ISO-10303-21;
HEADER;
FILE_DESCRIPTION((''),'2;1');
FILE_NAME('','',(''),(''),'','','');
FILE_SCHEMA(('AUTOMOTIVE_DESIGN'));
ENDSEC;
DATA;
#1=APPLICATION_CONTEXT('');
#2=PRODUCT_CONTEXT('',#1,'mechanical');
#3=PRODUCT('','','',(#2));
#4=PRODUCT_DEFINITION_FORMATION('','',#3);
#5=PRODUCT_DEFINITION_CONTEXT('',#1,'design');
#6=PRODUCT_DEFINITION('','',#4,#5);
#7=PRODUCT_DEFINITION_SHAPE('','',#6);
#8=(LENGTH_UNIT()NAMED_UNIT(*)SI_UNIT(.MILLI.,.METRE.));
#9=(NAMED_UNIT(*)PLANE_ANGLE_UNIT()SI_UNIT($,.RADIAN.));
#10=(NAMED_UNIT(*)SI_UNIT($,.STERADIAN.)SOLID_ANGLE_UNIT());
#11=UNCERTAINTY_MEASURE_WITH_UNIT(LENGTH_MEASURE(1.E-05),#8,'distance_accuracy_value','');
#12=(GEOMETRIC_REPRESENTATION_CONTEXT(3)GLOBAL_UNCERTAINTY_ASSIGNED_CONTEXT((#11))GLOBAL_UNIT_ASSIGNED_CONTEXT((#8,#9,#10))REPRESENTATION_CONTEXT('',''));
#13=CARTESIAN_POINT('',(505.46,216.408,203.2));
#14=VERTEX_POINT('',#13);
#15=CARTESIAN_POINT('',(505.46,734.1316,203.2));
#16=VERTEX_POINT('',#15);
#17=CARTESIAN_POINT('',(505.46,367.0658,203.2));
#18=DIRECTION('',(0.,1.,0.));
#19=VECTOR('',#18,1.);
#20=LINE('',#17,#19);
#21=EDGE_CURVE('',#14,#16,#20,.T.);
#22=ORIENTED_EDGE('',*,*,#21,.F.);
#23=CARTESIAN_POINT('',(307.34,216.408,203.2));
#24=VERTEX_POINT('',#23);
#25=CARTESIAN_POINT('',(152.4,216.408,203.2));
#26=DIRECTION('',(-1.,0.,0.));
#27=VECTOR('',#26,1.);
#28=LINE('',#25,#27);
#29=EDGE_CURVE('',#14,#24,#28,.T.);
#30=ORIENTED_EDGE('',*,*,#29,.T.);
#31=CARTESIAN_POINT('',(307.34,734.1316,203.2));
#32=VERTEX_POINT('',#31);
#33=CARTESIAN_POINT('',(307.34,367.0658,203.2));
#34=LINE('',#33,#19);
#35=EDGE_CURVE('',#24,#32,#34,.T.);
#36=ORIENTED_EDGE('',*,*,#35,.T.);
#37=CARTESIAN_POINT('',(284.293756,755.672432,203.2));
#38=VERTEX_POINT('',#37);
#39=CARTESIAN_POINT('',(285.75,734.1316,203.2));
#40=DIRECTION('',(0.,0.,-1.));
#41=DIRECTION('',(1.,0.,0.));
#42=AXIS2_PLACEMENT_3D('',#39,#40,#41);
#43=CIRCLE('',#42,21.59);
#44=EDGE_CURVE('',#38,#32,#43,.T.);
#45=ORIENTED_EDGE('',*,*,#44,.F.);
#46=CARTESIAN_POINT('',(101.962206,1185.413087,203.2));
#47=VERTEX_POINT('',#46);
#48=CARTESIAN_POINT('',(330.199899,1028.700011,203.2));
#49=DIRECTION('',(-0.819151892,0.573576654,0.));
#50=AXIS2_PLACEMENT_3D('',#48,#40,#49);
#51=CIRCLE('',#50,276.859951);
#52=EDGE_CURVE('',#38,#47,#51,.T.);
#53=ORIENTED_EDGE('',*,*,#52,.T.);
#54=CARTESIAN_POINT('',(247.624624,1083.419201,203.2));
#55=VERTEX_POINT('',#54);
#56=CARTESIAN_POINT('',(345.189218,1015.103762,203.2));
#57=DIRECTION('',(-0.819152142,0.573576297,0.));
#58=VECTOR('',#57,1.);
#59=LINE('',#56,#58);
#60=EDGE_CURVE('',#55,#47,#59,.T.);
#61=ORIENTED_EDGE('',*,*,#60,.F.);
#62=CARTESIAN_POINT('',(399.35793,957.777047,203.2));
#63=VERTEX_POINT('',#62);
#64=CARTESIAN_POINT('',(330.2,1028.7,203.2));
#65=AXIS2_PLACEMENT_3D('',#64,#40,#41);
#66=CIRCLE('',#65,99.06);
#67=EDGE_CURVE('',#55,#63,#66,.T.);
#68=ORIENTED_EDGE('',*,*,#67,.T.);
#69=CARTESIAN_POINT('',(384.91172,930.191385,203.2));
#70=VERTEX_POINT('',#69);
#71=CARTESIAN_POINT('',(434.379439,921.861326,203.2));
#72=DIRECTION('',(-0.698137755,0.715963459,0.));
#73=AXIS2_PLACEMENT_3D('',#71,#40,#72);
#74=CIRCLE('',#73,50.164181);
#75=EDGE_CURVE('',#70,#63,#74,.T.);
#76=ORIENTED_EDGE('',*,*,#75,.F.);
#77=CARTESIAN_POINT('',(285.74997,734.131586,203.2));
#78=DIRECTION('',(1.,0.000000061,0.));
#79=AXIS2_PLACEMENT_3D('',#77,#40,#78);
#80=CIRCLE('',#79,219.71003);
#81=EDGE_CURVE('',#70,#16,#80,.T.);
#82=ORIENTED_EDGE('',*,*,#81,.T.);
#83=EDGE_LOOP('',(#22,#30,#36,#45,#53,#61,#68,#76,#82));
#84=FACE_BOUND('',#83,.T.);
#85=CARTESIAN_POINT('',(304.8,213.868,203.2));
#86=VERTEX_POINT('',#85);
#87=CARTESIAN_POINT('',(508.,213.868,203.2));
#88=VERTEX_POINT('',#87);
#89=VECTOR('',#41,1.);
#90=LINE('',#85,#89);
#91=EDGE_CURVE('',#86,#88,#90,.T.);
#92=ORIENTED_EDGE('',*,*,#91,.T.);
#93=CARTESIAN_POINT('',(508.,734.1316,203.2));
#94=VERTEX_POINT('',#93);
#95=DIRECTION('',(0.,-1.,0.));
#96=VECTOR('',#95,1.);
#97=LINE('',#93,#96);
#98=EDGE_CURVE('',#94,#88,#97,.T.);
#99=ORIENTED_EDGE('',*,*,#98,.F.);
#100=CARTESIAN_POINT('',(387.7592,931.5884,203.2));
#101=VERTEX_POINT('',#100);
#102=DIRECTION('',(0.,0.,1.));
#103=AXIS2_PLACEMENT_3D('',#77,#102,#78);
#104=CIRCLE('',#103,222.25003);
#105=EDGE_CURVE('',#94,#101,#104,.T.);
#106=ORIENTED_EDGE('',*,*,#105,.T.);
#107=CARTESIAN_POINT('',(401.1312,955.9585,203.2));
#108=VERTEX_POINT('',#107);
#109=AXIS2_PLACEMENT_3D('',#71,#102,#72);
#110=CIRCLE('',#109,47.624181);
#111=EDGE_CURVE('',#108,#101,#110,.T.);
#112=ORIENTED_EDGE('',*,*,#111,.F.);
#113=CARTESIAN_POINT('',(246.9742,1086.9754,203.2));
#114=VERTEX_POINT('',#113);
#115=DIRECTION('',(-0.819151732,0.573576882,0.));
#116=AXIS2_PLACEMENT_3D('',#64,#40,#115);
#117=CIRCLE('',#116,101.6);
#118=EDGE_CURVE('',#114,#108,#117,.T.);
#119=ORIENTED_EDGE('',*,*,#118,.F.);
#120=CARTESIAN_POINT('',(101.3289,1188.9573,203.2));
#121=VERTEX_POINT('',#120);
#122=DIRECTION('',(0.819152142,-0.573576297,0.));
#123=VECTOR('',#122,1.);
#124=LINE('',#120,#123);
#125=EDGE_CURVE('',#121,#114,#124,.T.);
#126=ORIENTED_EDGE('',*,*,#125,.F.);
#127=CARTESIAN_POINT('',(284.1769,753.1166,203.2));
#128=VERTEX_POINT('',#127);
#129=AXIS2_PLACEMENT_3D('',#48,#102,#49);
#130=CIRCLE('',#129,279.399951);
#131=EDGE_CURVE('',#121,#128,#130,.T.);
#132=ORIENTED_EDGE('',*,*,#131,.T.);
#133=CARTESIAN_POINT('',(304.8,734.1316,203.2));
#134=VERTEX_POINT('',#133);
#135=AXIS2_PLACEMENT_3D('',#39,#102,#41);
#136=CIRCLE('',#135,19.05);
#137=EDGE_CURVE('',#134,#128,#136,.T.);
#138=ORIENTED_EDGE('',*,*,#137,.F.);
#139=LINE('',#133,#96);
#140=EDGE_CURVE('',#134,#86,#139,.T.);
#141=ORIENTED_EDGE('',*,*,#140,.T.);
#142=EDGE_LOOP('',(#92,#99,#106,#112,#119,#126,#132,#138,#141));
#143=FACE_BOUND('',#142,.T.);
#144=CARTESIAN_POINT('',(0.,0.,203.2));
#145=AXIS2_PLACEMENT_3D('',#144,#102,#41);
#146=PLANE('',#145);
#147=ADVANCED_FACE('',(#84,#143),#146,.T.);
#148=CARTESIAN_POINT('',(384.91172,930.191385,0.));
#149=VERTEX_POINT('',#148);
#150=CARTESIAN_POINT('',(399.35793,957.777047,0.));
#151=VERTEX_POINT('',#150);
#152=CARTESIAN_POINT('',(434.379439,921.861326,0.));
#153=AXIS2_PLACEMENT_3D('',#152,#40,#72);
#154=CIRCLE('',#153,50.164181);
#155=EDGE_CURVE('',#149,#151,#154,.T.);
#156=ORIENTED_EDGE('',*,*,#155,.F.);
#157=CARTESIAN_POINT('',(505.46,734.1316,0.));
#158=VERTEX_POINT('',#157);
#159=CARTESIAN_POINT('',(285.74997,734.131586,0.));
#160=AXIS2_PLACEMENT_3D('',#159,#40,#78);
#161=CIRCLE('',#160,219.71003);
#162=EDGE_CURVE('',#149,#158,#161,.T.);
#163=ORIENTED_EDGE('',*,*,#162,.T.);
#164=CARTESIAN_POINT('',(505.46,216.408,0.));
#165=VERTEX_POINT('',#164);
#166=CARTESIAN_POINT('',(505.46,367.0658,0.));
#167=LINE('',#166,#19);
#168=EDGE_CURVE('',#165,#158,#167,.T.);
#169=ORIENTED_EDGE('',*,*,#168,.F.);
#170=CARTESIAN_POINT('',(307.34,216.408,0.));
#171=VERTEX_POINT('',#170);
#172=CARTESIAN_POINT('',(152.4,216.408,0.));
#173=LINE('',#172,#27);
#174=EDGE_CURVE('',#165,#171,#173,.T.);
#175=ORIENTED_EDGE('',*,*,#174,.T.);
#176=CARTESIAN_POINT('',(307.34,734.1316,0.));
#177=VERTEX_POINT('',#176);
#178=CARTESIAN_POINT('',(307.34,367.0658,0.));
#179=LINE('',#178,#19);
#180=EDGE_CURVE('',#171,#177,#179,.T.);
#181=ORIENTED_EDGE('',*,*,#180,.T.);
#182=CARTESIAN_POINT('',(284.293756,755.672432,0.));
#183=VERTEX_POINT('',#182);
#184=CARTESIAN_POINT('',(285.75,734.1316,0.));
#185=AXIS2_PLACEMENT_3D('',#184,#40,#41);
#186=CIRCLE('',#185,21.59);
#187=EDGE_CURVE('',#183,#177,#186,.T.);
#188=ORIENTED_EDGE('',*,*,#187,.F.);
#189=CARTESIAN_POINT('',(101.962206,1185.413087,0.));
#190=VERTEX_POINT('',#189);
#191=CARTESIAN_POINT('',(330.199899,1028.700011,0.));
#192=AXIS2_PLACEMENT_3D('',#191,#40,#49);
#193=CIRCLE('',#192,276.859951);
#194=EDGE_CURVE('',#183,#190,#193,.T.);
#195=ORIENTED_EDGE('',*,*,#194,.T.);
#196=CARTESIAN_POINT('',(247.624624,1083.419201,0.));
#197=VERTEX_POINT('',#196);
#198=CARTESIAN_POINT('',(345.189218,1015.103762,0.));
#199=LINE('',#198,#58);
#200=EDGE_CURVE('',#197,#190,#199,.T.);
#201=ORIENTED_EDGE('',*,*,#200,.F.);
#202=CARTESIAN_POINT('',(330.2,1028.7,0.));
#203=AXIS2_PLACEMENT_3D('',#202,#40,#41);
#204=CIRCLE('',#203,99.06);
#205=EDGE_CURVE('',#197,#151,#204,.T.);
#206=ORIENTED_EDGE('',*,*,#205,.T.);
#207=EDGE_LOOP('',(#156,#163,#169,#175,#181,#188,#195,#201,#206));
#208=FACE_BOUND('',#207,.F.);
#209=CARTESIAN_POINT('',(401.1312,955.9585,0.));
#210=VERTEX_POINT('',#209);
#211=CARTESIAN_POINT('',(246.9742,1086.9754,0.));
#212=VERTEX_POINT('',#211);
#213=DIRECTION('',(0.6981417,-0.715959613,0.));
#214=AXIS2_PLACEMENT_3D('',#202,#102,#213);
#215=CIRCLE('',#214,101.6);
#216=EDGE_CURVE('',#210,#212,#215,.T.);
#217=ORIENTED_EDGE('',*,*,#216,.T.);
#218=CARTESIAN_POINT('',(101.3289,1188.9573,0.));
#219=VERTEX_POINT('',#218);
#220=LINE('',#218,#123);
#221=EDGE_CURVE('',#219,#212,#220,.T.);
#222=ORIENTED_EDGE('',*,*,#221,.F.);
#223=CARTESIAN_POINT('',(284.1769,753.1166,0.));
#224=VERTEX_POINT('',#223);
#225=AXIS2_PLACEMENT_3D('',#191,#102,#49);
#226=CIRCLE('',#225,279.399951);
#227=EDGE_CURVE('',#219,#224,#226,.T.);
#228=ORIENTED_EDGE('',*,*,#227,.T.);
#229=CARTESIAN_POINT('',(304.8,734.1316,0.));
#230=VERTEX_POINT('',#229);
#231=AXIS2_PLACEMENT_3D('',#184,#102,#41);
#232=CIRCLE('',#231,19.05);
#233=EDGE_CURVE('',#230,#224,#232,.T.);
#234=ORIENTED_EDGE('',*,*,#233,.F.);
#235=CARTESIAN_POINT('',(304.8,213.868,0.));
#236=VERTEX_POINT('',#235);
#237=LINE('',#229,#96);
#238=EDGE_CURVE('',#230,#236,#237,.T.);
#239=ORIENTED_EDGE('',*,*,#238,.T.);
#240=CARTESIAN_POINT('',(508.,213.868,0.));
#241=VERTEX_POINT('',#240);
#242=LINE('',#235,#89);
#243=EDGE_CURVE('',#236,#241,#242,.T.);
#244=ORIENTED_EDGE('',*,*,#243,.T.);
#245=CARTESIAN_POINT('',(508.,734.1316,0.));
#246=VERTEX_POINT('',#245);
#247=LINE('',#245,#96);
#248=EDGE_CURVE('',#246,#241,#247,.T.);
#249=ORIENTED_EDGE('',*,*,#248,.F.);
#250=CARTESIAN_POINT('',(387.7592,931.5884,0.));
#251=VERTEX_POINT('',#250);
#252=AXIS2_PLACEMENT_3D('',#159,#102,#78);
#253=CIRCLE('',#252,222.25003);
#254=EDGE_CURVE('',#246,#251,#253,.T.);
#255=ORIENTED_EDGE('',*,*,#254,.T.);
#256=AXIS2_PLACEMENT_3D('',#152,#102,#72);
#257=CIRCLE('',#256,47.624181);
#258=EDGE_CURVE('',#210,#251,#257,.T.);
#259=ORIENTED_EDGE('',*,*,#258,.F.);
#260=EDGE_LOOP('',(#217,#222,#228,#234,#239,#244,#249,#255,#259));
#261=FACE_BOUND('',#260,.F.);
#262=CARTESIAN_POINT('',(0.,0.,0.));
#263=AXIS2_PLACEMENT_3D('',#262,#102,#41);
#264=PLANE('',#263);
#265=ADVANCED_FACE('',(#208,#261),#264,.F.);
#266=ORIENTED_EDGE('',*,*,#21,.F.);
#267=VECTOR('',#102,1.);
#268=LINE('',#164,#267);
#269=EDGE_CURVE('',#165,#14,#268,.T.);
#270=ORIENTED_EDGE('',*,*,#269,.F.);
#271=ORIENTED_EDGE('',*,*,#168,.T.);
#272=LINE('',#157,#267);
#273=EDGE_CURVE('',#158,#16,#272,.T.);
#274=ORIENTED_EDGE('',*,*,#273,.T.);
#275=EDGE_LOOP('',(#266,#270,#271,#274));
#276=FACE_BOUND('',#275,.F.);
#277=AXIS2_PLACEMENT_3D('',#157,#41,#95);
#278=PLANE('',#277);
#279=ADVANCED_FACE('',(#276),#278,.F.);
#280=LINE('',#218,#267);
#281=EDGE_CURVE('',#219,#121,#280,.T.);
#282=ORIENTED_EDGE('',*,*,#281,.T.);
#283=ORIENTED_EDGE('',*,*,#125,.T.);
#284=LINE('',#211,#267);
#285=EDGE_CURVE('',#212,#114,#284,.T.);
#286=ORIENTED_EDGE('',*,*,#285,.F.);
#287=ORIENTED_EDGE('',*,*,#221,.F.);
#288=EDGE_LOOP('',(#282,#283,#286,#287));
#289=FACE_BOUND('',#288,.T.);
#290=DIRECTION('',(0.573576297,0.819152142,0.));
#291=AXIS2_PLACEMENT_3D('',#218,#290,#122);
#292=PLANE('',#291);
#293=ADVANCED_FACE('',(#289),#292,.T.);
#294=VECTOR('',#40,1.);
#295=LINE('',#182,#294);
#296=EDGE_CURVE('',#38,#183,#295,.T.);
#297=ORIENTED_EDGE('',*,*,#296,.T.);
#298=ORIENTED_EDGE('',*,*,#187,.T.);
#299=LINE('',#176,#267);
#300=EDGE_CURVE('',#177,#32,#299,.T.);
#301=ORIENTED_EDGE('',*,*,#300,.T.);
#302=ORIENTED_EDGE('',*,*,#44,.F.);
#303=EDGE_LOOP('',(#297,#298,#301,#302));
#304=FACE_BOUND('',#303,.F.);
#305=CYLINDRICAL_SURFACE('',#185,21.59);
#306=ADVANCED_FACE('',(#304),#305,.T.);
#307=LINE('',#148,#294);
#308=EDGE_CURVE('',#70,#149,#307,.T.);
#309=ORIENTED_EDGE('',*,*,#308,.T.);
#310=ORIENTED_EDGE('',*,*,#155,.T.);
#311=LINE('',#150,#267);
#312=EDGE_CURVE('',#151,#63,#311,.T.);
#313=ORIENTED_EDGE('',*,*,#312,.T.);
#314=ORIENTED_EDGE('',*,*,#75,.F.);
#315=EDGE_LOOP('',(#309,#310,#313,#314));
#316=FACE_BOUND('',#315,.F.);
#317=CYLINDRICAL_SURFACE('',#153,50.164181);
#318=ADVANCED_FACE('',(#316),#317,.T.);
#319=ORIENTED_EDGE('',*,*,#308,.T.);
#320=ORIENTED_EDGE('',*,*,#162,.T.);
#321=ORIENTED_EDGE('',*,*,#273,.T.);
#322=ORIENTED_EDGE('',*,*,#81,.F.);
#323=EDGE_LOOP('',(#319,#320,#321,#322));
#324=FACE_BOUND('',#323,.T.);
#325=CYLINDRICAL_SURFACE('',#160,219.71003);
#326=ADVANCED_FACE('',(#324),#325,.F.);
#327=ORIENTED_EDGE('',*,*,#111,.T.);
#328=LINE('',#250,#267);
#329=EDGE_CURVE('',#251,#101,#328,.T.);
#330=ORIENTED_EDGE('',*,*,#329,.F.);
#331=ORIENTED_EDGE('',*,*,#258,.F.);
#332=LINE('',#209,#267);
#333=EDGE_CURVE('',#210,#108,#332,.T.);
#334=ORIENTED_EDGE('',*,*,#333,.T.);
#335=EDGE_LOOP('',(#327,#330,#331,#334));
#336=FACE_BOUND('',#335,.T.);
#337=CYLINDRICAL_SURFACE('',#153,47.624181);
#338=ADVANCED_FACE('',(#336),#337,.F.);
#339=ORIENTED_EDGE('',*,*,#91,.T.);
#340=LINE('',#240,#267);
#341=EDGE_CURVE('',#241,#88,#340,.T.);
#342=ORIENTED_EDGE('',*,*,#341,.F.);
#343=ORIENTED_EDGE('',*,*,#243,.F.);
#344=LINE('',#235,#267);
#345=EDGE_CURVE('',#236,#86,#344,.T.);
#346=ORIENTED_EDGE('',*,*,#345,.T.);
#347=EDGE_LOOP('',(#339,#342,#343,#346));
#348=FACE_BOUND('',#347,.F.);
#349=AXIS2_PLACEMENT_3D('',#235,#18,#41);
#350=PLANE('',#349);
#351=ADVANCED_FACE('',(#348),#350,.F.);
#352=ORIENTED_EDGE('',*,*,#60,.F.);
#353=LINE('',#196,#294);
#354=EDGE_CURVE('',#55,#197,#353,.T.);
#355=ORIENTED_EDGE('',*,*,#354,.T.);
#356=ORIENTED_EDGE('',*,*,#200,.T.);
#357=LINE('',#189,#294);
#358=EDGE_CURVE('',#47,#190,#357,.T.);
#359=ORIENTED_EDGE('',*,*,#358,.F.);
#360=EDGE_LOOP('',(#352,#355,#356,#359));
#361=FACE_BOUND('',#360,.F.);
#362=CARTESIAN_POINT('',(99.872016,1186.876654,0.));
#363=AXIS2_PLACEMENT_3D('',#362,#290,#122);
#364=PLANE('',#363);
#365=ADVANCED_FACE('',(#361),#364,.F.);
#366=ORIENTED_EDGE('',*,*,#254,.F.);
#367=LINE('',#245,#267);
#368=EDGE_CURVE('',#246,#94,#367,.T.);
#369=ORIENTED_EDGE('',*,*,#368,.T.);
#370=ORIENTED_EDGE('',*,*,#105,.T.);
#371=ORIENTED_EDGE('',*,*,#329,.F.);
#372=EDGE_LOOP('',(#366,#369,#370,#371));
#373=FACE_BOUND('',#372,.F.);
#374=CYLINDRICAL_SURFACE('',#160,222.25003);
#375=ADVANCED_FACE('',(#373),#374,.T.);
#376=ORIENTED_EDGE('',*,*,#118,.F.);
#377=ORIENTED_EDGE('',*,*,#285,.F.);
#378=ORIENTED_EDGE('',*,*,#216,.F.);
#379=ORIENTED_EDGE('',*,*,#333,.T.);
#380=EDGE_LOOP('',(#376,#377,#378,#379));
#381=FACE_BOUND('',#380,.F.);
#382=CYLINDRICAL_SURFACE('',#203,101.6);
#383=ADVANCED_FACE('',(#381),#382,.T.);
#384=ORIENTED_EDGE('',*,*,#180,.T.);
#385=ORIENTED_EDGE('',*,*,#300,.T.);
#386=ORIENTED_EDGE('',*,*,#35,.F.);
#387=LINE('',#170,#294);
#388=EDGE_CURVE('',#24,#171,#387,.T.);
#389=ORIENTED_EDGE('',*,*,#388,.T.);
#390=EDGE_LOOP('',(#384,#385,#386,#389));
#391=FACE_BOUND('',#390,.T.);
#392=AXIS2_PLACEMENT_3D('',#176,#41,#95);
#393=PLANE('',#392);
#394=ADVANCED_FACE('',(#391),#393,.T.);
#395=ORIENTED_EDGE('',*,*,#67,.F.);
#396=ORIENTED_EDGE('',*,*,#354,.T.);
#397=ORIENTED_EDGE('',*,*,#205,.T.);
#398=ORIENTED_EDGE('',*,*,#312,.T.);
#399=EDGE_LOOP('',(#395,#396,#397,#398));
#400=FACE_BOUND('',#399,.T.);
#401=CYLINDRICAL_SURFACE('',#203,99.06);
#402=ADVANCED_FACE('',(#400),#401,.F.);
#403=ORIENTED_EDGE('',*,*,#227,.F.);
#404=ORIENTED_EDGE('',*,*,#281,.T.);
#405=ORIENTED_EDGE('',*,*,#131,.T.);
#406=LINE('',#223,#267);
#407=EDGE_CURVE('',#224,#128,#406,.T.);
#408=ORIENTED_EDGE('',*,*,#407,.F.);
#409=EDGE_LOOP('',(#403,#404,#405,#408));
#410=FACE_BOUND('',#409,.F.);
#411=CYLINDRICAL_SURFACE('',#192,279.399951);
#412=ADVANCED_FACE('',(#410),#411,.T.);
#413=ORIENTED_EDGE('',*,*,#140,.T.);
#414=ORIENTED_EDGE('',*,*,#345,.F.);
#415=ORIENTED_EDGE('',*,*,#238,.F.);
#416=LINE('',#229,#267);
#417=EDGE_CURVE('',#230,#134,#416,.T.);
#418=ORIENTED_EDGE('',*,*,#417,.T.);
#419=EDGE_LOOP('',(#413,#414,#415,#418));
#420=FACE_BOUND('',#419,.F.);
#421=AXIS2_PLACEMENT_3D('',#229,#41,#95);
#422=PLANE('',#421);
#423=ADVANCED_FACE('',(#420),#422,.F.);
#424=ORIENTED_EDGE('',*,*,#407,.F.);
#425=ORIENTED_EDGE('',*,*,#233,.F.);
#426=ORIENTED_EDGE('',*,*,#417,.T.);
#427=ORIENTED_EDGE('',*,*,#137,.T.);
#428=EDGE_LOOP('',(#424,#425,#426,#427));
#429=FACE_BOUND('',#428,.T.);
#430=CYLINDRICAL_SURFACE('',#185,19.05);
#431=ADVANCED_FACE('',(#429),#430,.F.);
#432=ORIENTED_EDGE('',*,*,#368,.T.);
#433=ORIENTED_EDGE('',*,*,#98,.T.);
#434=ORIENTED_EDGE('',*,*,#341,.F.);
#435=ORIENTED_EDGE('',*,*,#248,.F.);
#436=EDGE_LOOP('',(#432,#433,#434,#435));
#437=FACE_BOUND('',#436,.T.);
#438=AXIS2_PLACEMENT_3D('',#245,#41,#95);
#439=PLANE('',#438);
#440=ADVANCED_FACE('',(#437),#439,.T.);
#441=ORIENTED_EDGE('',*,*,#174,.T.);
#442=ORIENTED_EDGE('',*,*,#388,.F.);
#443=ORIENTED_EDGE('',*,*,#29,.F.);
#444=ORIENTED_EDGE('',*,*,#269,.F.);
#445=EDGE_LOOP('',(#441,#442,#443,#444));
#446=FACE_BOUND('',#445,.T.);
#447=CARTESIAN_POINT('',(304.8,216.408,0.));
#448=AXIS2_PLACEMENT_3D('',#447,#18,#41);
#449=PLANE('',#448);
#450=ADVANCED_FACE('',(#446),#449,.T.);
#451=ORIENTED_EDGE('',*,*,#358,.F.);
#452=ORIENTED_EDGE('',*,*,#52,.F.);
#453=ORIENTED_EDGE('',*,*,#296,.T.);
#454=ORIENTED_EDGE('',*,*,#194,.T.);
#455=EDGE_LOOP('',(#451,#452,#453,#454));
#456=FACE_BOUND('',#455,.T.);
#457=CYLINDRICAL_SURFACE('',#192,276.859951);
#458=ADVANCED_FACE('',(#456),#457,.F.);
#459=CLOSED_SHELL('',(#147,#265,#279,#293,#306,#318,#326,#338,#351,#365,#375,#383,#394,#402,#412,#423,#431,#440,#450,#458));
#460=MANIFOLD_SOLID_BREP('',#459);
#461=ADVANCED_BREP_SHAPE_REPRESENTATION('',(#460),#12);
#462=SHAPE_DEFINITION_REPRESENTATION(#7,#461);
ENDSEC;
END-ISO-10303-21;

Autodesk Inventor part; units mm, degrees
ref_plane "YZ Plane" through (0, 0, 0) normal (1, 0, 0) x (0, 1, 0)
ref_plane "XZ Plane" through (0, 0, 0) normal (0, 1, 0) x (-1, 0, 0)
ref_plane "XY Plane" through (0, 0, 0) normal (0, 0, 1) x (1, 0, 0)
sketch "Sketch1" plane through (0, 0, 0) normal (0, 0, 1) x (1, 0, 0)
  circle A0 centre (330.2, 1028.7) radius 101.6
  arc A1 (101.3289, 1188.9573) -> (284.1769, 753.1166) centre (330.2, 1028.7) ccw
  circle A2 centre (285.75, 734.1316) radius 19.05
  line L0 (330.2, 1028.7) -> (431.8, 1028.7) construction
  line L1 (0, 1023.3941) -> (50.8, 1023.3941)
  line L2 (50.8, 1023.3941) -> (50.8, 972.5941)
  line L3 (50.8, 972.5941) -> (0, 972.5941)
  line L4 (0, 972.5941) -> (0, 1023.3941)
  line L5 (0, 0) -> (685.8, 0) construction
  line L6 (685.8, 1498.6) -> (0, 1498.6) construction
  line L7 (0, 1498.6) -> (0, 0) construction
  line L8 (304.8, 734.1316) -> (304.8, 213.868)
  line L9 (101.3289, 1188.9573) -> (318.1431, 1498.6) construction
  line L10 (101.3289, 1188.9573) -> (685.8, 1188.9573) construction
  arc A3 (508, 734.1316) -> (260.3446, 954.9248) centre (285.75, 734.1316) ccw
  line L11 (508, 734.1316) -> (508, 213.868)
  line L12 (685.8, 1188.9573) -> (685.8, 0) construction
  line L13 (685.8, 228.9727) -> (685.8, 178.1727)
  line L14 (101.3289, 1188.9573) -> (246.9742, 1086.9754)
  line L15 (304.8, 213.868) -> (508, 213.868)
  arc A4 (401.1312, 955.9585) -> (387.7592, 931.5884) centre (434.38, 921.8609) ccw
  dimension "d0" = 203.2
  dimension "d1" = 279.4
  dimension "d3" = 50.8
  dimension "d4" = 1498.6
  dimension "d5" = 685.8
  dimension "d6" = 38.1
  dimension "d9" = 55
  dimension "d10" = 1028.7
  dimension "d14" = 213.868
  dimension "d20" = 304.8
  dimension "d21" = 177.8
extrude "Extrusion1" add sketch "Sketch1" along normal blind 203.2 contours A0 A3 | A0 A3 L11 L15 L8 A2 A1 L14 | A4 A3 A0 | A3 A0
shell "Shell1" thickness 2.54 removed faces 2 at (372.5333, 560.7104, 0) at (440.2667, 387.2892, 203.2)
properties part number "SketchProfile"
